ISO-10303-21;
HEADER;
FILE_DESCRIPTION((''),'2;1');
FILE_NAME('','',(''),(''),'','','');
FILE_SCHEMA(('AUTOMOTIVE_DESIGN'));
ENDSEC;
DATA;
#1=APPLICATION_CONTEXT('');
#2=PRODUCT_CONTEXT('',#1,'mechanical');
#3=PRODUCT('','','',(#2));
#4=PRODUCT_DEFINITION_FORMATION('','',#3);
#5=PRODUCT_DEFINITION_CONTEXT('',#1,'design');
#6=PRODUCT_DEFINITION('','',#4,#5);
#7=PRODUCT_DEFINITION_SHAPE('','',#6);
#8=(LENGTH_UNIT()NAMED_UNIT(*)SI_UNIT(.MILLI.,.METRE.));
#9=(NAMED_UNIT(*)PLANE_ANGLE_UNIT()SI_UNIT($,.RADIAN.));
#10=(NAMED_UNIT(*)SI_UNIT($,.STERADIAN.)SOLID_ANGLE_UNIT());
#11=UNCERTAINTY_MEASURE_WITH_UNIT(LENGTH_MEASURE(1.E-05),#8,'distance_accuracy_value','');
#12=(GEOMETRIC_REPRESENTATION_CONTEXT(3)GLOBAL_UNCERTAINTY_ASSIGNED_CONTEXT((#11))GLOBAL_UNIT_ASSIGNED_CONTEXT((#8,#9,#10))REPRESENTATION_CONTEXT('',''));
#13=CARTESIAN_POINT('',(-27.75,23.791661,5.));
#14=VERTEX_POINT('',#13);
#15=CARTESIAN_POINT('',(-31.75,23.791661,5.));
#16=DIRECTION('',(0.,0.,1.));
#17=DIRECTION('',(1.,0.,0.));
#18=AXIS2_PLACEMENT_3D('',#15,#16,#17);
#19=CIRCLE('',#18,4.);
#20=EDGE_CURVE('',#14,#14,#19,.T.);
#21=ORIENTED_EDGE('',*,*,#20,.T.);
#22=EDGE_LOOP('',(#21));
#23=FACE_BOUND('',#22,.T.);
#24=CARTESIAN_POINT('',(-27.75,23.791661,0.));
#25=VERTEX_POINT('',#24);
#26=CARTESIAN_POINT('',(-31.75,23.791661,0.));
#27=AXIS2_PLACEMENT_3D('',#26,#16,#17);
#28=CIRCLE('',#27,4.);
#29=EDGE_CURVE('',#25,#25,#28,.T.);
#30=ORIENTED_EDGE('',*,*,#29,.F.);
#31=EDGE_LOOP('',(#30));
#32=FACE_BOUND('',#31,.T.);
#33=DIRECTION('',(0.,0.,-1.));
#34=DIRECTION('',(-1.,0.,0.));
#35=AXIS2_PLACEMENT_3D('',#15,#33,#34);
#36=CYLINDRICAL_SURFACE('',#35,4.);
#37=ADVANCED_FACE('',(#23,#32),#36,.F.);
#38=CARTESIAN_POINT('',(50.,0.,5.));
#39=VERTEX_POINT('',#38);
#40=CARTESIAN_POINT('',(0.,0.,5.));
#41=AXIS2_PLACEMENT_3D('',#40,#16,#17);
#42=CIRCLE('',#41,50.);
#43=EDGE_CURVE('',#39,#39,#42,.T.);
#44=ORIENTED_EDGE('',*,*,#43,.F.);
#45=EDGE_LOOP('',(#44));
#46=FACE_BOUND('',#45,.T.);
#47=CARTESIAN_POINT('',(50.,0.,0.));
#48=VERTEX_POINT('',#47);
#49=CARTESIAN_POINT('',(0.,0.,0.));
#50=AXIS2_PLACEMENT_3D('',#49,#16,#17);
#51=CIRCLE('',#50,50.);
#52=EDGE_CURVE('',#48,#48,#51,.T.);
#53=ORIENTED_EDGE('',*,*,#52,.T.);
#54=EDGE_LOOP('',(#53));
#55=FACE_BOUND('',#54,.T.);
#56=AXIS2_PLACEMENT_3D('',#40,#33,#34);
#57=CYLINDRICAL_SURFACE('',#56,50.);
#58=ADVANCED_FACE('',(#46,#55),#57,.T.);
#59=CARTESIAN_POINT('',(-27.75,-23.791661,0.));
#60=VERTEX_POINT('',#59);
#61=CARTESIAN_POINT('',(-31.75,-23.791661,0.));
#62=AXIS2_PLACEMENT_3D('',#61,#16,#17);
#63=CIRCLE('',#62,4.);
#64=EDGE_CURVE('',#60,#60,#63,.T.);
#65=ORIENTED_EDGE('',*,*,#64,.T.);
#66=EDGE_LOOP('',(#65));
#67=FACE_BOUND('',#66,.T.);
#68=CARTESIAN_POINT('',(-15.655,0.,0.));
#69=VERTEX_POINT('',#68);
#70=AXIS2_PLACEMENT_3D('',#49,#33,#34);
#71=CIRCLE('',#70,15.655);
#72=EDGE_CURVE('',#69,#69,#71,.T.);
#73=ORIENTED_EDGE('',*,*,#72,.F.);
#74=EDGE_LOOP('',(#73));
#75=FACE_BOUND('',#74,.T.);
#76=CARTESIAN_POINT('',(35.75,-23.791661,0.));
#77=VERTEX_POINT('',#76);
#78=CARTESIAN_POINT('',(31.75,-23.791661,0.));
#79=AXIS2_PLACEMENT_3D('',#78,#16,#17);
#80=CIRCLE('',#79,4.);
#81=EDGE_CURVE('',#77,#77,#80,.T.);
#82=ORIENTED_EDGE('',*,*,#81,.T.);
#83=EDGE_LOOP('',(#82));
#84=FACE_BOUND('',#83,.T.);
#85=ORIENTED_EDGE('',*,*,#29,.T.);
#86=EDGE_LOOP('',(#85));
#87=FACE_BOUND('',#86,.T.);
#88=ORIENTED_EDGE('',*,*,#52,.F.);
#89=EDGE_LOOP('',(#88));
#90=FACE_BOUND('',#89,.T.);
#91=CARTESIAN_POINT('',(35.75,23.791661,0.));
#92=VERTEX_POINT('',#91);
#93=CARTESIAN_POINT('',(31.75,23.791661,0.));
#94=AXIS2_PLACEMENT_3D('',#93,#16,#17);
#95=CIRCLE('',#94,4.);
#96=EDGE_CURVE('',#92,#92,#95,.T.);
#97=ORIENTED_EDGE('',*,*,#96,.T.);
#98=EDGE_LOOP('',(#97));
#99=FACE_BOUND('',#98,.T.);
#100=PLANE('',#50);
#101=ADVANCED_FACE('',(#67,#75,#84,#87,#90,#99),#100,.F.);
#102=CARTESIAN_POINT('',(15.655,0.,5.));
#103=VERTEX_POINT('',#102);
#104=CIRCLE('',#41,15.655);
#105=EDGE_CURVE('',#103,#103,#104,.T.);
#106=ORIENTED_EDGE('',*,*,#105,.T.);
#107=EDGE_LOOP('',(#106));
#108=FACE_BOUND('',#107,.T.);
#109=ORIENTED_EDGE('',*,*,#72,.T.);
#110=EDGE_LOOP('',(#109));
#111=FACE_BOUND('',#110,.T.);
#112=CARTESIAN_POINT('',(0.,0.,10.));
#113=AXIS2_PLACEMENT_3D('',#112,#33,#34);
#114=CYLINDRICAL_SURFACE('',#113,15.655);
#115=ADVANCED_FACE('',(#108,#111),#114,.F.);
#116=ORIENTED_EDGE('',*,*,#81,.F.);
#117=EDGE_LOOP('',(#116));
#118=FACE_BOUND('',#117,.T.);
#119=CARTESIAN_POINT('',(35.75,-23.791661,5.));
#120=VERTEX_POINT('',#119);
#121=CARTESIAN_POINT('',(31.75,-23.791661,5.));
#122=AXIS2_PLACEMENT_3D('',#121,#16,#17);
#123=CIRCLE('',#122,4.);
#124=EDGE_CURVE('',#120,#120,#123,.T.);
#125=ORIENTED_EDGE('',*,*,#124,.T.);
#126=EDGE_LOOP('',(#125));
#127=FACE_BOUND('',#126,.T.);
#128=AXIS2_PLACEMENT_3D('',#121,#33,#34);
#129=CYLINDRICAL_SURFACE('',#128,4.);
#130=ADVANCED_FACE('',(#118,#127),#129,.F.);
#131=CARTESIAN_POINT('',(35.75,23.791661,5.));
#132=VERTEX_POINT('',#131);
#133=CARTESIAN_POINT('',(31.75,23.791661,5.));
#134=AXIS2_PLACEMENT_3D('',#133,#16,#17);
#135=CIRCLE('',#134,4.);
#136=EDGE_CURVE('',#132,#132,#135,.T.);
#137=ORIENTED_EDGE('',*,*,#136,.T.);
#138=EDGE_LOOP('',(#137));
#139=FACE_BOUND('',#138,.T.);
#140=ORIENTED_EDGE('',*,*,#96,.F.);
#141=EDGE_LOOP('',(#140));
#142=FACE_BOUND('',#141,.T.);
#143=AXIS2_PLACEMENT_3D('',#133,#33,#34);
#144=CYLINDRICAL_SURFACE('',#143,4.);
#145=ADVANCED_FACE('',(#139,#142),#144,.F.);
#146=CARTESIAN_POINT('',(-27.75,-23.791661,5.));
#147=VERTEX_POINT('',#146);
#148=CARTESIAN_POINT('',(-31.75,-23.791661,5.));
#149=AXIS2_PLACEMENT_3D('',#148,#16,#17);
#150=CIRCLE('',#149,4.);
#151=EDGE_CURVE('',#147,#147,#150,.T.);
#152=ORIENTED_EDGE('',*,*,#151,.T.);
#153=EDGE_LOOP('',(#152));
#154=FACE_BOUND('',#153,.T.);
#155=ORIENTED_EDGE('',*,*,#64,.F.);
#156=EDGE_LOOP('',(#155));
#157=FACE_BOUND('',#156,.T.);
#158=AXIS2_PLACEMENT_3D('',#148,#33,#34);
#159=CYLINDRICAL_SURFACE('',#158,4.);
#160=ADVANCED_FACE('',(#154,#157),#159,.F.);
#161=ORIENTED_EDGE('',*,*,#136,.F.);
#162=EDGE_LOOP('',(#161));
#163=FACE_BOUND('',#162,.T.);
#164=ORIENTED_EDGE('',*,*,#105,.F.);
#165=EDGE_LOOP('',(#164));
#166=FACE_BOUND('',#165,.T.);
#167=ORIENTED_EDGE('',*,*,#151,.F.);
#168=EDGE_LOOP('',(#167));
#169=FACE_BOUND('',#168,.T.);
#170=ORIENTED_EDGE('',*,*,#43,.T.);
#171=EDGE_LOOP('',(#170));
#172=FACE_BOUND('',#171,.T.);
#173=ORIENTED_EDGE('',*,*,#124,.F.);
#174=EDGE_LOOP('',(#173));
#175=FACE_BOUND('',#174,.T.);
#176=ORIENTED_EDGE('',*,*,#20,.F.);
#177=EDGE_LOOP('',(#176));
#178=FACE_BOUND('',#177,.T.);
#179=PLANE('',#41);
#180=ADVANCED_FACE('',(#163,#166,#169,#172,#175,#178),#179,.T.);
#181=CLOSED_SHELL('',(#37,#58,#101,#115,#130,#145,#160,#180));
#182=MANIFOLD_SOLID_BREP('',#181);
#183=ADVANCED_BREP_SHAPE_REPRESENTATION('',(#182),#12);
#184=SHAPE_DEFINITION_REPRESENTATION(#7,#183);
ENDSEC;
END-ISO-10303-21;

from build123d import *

# Parameters (mm, degrees)
SKETCH1_R           = 50
SKETCH1_R_2         = 4
BOSS_EXTRUDE1_DEPTH = 5
SKETCH2_R           = 15.655
CUT_EXTRUDE1_DEPTH  = 10


with BuildPart() as part:
    # Sketch1 → Boss-Extrude1 (new body)
    with BuildSketch(Plane.XY):
        Circle(SKETCH1_R)
        with Locations((-31.75, 23.791660829)):
            Circle(SKETCH1_R_2, mode=Mode.SUBTRACT)
        with Locations((31.75, 23.791660829)):
            Circle(SKETCH1_R_2, mode=Mode.SUBTRACT)
        with Locations((-31.75, -23.791660829)):
            Circle(SKETCH1_R_2, mode=Mode.SUBTRACT)
        with Locations((31.75, -23.791660829)):
            Circle(SKETCH1_R_2, mode=Mode.SUBTRACT)
    extrude(amount=BOSS_EXTRUDE1_DEPTH)

    # Sketch2 → Cut-Extrude1 (cut)
    with BuildSketch(Plane(origin=(0, 0, 0), x_dir=(-1, 0, 0), z_dir=(0, 0, -1))):
        Circle(SKETCH2_R)
    extrude(amount=-CUT_EXTRUDE1_DEPTH, mode=Mode.SUBTRACT)


solid = part.part
